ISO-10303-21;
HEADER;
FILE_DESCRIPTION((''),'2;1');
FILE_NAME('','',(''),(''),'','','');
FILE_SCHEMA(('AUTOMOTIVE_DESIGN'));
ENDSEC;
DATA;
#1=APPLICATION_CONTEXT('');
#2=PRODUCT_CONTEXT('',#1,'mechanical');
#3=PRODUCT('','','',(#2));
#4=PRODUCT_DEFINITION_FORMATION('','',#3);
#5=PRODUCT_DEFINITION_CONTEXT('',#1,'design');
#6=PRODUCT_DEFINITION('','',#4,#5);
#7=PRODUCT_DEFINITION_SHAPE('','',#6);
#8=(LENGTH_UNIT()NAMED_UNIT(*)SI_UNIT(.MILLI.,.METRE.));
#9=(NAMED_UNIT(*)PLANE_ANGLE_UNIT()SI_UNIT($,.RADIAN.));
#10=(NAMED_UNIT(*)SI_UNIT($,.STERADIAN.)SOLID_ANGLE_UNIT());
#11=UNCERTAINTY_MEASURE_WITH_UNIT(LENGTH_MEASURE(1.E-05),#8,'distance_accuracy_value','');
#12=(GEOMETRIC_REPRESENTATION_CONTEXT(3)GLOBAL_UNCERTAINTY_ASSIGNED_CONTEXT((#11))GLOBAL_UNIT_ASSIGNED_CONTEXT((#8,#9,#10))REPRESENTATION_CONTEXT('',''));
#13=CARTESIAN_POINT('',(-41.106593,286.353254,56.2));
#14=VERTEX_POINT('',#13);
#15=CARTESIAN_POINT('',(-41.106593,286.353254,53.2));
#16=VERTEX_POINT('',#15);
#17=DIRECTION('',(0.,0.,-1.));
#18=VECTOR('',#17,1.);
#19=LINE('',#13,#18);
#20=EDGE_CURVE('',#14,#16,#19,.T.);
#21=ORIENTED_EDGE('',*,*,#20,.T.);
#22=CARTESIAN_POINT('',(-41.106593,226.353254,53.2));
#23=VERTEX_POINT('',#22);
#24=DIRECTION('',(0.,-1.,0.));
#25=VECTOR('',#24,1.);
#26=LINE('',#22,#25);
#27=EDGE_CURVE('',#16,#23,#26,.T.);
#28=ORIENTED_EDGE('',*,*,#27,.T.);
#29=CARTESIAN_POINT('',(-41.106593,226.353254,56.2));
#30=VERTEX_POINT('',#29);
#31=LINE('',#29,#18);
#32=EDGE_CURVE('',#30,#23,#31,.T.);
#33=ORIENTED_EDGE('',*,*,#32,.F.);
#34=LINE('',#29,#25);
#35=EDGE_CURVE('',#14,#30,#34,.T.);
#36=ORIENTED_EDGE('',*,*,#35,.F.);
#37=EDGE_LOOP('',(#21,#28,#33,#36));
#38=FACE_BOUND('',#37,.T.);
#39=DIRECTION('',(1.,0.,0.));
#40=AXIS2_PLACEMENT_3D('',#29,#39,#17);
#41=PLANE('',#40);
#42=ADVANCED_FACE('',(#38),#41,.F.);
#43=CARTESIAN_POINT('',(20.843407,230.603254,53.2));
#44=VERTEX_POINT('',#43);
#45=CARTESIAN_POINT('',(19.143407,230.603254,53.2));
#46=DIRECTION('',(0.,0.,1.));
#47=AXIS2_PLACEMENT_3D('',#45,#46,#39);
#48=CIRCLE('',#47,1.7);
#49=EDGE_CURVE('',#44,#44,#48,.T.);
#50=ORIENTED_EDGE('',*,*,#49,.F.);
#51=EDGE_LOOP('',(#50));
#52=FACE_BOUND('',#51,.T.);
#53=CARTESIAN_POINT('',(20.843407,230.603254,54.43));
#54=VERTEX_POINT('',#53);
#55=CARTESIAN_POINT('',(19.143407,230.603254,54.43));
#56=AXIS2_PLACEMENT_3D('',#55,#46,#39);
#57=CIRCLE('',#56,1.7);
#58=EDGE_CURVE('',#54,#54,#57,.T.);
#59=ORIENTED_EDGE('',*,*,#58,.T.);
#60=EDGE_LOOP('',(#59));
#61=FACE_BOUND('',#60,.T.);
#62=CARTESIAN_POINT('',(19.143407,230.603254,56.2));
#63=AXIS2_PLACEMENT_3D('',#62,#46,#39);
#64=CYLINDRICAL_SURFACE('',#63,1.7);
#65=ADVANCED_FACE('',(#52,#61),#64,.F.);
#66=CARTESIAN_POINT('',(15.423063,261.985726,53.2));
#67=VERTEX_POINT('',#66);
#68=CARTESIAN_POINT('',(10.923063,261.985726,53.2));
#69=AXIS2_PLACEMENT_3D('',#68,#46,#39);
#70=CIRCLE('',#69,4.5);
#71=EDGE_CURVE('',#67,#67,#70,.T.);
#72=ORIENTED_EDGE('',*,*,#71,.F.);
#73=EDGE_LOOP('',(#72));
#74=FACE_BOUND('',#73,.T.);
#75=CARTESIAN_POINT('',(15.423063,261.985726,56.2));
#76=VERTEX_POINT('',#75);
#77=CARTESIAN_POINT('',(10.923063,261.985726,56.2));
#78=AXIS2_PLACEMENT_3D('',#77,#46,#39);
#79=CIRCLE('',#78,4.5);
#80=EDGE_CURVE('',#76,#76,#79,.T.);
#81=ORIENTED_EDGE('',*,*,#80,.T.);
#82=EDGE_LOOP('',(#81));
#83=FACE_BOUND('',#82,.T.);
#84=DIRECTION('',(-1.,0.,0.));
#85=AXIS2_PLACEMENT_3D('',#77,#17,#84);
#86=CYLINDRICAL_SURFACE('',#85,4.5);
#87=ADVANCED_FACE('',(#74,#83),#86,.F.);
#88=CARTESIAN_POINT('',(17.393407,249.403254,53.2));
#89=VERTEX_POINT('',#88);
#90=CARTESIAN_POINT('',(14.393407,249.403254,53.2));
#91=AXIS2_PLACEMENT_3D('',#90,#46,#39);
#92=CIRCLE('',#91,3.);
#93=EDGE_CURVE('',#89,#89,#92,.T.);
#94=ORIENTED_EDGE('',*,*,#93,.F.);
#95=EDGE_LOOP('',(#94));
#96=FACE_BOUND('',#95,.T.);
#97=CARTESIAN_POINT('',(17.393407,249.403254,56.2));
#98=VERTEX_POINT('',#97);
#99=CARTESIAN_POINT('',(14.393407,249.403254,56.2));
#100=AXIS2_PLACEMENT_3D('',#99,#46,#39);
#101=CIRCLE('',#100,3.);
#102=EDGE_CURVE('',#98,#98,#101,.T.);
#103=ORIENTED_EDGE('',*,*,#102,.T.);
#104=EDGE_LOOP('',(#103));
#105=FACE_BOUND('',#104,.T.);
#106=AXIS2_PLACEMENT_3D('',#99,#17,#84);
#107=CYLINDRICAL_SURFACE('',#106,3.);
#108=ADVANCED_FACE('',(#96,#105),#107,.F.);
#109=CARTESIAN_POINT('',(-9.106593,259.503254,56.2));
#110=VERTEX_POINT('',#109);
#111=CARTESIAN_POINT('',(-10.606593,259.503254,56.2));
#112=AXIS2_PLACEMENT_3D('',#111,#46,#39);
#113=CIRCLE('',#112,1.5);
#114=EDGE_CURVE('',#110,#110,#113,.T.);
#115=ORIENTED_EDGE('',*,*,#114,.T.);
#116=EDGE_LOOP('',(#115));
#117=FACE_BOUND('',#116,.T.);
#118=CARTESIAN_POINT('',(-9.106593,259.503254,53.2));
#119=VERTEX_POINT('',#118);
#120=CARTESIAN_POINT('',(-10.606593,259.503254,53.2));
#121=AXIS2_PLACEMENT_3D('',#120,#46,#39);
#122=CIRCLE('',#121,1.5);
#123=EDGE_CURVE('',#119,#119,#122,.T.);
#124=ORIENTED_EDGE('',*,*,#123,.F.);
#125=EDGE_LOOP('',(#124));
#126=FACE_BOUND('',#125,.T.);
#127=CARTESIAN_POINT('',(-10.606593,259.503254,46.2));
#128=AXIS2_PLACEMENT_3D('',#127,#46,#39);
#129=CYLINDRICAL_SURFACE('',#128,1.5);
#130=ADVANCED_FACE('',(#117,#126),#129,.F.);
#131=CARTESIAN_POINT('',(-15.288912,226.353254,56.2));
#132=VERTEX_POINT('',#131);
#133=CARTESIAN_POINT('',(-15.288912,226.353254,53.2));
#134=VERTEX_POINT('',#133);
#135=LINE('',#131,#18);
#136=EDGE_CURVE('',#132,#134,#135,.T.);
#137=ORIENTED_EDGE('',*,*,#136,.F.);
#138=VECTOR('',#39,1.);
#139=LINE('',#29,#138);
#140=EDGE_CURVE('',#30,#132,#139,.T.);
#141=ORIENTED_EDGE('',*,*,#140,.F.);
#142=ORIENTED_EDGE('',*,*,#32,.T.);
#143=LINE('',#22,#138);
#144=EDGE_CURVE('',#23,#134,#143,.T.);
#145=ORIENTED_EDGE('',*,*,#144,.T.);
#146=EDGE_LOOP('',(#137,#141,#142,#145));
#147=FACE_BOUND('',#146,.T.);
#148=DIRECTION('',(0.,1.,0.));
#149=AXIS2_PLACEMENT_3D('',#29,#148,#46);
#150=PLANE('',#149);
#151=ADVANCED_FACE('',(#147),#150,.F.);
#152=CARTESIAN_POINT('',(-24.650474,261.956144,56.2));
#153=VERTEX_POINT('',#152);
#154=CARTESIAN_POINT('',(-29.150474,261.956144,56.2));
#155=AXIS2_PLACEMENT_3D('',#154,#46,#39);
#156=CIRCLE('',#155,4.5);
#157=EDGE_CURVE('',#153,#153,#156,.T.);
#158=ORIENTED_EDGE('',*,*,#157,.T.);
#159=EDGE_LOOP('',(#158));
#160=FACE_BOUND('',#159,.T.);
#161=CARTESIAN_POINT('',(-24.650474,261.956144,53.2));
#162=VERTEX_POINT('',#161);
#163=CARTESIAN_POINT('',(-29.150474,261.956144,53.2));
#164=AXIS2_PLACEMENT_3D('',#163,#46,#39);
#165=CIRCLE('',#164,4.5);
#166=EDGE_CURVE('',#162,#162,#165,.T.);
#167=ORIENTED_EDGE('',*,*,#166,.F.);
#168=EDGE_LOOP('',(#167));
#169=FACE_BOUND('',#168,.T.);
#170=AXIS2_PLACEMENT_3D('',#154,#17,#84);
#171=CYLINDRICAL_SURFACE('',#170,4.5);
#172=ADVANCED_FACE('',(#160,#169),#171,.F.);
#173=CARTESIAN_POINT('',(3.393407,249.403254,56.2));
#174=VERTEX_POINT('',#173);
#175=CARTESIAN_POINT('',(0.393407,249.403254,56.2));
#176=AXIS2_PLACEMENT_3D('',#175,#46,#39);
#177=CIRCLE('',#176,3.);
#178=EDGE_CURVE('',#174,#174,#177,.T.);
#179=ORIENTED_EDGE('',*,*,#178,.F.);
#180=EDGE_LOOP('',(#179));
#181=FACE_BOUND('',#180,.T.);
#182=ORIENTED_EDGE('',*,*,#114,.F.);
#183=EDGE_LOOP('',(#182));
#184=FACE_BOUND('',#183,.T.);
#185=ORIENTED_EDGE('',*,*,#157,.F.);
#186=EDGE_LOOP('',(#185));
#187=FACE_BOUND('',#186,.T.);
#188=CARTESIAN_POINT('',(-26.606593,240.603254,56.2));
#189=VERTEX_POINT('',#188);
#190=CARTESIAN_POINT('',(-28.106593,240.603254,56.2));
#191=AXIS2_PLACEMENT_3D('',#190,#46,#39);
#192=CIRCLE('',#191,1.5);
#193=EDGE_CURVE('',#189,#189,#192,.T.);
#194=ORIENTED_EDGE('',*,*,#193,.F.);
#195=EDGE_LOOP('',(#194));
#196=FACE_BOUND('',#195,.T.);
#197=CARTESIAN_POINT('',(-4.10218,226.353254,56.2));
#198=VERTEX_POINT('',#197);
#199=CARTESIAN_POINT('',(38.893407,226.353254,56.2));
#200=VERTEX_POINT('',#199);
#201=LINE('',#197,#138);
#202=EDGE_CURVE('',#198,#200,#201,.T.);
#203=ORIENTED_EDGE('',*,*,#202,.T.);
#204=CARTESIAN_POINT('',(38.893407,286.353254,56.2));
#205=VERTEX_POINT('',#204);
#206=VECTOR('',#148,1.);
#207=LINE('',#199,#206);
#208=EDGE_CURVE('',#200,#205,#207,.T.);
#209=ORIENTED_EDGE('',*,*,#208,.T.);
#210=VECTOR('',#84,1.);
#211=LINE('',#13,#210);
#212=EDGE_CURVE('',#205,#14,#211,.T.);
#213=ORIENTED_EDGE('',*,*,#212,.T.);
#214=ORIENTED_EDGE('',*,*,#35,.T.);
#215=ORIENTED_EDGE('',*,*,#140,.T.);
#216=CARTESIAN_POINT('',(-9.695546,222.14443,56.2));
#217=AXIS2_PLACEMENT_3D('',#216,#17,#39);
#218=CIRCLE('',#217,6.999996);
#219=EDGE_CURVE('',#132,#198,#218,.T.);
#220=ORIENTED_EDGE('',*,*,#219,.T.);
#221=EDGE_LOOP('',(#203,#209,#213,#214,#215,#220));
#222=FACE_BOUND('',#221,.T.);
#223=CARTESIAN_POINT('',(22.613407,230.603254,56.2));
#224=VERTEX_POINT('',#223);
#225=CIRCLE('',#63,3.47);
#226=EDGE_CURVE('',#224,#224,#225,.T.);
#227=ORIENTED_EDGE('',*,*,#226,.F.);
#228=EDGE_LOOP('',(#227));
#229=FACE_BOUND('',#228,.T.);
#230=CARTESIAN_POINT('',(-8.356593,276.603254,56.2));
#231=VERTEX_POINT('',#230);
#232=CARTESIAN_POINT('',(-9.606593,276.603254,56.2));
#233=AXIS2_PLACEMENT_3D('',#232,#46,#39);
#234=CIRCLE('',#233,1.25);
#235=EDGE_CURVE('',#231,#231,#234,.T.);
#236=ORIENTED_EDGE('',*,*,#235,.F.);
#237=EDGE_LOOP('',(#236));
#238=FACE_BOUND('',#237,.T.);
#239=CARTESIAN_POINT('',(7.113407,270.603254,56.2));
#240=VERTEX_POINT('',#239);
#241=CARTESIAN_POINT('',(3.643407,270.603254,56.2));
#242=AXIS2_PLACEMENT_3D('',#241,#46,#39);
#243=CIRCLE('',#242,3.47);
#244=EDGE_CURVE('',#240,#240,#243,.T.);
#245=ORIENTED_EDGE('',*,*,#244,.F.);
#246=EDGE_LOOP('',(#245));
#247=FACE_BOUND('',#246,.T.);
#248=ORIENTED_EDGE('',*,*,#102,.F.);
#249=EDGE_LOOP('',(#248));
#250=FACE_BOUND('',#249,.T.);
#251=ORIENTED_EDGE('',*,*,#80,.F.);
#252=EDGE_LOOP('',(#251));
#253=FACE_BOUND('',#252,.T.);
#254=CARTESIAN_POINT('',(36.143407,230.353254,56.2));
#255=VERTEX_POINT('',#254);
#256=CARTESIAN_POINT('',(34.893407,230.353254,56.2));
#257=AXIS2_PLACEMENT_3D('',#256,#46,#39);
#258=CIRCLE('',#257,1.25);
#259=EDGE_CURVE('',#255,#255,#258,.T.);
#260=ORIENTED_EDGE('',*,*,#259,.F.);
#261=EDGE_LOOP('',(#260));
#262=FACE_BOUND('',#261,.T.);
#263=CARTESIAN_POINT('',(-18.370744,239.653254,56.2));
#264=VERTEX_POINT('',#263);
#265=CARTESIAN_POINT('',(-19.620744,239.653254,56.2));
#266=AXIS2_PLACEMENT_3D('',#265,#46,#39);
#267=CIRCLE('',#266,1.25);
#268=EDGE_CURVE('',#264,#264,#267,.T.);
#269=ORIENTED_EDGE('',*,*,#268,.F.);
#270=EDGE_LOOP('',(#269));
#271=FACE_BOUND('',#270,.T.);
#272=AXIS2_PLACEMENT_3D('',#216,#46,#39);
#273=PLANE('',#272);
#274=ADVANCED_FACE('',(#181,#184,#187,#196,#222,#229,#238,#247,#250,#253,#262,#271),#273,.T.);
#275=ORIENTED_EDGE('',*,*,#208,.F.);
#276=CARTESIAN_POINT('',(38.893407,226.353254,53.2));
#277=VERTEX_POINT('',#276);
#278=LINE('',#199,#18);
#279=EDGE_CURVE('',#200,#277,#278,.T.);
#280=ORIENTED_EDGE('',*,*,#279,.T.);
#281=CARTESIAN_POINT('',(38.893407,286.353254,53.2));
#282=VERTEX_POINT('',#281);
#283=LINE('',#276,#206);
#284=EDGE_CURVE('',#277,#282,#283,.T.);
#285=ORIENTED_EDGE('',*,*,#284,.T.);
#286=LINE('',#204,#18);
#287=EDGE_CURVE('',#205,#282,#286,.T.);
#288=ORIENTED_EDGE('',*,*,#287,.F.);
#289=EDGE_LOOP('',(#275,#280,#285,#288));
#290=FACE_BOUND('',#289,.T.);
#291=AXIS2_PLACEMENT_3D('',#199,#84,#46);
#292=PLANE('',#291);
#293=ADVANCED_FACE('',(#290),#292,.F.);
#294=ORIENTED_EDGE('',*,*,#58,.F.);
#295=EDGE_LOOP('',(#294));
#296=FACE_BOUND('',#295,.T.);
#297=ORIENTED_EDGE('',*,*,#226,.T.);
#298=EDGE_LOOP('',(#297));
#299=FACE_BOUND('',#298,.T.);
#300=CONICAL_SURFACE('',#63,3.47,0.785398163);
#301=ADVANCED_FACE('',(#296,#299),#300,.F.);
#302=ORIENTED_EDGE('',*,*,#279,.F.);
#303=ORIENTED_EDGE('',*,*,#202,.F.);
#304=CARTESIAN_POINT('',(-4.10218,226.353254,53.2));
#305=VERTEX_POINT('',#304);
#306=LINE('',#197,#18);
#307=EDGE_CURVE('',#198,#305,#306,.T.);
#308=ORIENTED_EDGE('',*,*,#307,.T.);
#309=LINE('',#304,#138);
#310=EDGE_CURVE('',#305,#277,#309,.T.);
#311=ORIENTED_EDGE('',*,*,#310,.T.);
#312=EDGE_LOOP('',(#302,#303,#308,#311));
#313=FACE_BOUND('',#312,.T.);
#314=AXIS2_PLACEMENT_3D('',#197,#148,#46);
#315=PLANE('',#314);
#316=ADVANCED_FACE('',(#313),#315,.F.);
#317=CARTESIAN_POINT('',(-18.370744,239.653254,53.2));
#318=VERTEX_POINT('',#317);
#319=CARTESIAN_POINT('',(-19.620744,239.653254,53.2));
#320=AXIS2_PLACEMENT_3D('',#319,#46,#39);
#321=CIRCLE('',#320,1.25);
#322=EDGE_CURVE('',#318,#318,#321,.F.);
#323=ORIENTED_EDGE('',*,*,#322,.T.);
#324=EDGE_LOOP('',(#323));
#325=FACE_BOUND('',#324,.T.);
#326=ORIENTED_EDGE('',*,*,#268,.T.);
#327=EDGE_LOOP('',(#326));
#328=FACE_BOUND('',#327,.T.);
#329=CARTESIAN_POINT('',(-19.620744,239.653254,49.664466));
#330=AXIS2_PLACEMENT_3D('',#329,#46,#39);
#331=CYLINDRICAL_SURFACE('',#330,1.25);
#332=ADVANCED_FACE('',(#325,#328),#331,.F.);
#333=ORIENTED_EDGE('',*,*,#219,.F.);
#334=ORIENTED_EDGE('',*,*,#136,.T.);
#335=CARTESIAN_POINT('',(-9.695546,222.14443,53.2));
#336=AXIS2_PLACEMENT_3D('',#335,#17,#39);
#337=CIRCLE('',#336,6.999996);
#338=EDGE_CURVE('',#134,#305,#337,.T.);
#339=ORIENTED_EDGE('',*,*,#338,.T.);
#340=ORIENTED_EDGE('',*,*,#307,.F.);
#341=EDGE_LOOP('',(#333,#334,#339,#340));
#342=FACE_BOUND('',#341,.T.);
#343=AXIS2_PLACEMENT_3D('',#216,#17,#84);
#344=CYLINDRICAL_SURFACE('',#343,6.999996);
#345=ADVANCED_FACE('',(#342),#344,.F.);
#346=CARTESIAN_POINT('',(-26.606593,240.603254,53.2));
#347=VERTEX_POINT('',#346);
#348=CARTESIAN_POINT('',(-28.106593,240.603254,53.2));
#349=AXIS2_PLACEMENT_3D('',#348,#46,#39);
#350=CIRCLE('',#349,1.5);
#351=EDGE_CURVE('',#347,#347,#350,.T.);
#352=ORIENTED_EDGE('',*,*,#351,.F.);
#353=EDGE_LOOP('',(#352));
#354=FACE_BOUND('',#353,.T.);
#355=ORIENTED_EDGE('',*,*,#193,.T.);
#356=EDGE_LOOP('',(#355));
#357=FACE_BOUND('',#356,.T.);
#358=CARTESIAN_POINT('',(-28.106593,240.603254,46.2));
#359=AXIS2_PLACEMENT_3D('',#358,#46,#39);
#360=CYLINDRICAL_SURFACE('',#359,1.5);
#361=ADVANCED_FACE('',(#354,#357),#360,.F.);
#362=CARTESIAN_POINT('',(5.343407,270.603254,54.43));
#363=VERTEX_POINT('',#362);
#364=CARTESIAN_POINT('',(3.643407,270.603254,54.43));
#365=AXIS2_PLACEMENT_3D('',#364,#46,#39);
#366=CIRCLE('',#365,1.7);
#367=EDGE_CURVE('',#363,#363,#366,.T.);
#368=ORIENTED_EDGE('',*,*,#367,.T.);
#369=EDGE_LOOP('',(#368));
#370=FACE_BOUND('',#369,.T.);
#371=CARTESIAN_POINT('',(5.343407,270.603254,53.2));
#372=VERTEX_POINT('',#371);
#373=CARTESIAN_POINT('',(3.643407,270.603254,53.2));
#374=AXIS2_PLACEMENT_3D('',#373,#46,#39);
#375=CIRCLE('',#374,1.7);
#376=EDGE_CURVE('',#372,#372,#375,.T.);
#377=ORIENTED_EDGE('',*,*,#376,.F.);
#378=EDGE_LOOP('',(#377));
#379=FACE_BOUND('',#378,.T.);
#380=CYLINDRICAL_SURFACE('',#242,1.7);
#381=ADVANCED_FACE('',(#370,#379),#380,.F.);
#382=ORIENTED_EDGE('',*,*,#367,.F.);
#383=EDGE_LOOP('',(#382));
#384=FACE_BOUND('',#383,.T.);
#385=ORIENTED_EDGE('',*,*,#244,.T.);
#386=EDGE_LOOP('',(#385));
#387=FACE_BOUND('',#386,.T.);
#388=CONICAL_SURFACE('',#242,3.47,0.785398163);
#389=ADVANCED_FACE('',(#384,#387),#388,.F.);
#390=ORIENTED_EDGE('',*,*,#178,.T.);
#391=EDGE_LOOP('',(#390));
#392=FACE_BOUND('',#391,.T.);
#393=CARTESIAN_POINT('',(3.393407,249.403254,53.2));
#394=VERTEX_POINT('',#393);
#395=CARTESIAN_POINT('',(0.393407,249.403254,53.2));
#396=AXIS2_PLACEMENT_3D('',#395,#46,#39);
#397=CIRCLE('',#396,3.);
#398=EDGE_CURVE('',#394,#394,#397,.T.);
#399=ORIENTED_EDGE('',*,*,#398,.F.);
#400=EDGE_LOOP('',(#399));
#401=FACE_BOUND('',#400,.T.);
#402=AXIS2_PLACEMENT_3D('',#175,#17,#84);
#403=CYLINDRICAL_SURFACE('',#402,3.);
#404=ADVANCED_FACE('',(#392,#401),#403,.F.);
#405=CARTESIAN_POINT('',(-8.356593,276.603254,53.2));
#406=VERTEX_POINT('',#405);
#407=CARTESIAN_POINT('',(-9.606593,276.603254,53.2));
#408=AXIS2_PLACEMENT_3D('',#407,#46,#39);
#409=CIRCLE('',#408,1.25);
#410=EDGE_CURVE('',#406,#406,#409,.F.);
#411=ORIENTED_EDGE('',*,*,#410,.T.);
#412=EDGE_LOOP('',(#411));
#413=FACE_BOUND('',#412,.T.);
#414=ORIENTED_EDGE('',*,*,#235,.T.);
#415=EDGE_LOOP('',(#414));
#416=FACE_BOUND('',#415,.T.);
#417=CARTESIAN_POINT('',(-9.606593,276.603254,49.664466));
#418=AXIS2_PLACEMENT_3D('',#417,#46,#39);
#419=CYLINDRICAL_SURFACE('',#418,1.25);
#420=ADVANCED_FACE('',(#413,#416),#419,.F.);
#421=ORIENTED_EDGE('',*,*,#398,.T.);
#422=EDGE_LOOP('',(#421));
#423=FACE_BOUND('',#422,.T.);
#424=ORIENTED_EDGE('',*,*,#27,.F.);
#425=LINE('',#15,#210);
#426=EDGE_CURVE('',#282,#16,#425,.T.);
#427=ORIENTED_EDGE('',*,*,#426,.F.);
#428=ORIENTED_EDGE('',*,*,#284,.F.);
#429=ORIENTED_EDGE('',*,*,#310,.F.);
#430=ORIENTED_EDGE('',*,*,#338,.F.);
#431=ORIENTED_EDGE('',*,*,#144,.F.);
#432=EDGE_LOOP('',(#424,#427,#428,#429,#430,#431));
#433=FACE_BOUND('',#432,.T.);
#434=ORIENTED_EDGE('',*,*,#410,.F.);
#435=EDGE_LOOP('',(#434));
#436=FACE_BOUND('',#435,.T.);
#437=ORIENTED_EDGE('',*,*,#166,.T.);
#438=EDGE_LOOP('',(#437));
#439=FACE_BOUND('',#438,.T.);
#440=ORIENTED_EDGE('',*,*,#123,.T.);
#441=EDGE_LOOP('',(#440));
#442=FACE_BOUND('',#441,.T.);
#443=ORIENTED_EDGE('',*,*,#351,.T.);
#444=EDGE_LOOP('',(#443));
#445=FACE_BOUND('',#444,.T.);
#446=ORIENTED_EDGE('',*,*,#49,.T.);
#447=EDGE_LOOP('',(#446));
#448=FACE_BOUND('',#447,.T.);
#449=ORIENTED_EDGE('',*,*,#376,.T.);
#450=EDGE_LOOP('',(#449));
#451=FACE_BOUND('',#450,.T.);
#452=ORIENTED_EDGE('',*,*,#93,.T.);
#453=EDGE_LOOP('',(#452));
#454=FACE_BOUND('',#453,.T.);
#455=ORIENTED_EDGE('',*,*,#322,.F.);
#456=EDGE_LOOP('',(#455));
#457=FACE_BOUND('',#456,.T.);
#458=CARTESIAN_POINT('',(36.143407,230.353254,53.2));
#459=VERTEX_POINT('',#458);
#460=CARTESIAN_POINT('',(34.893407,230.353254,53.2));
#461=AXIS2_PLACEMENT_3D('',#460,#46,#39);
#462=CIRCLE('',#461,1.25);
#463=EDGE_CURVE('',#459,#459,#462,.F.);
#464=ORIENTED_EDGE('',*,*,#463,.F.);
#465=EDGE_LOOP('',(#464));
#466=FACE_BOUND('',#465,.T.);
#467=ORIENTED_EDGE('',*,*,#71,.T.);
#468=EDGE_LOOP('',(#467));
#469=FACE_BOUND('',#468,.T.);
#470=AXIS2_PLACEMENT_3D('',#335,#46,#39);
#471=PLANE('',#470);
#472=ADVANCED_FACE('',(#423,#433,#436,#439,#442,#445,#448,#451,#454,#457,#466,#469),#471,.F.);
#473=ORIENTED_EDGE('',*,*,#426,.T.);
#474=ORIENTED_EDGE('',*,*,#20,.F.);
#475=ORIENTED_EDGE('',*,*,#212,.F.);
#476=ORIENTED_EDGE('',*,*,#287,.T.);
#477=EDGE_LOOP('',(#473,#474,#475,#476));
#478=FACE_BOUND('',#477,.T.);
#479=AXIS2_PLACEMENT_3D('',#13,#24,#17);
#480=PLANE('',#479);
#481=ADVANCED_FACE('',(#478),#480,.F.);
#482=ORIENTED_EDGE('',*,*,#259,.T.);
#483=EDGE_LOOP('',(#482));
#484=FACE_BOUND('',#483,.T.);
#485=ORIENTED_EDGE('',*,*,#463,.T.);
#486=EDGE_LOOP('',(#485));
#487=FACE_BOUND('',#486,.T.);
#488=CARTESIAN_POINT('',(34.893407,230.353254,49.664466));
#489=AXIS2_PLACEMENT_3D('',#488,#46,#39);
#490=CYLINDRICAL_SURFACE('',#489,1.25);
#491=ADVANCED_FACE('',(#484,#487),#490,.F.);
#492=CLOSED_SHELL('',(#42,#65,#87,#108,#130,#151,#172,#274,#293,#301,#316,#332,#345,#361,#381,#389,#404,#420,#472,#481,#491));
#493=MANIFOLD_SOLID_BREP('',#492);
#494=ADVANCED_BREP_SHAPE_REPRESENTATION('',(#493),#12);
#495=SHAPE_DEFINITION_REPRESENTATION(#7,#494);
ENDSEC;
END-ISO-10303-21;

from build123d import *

# Parameters (mm, degrees)
SKETCH_1_R                                   = 3
SKETCH_1_R_2                                 = 4.5
EXTRUDE_1_DEPTH                              = 3
CSK_FOR_M3_HEX_SOCKET_COUNTERSUNK_HE_2_COUNT = 2
CSK_FOR_M3_HEX_SOCKET_COUNTERSUNK_HE_2_PITCH = 42.898135158
SKETCH_2_R                                   = 1.5
SKETCH_2_R_2                                 = 1.25
CUT_EXTRUDE1_DEPTH                           = 10
SKETCH4_R                                    = 1.25
CUT_EXTRUDE2_DEPTH                           = 3


with BuildPart() as part:
    # Эскиз1 → Бобышка-Вытянуть1 (new body)
    with BuildSketch(Plane.XY.offset(53.2)):
        with BuildLine():
            Line((-4.102180416, 226.353254388), (38.893407272, 226.353254388))
            Line((38.893407272, 226.353254388), (38.893407272, 286.353254388))
            Line((38.893407272, 286.353254388), (-41.106592728, 286.353254388))
            Line((-41.106592728, 286.353254388), (-41.106592728, 226.353254388))
            Line((-41.106592728, 226.353254388), (-15.28891158, 226.353254388))
            ThreePointArc((-15.28891158, 226.353254388), (-9.695545998, 229.144425829), (-4.102180416, 226.353254388))
        make_face()
        with Locations((0.393407272, 249.403254388)):
            Circle(SKETCH_1_R, mode=Mode.SUBTRACT)
        with Locations((14.393407272, 249.403254388)):
            Circle(SKETCH_1_R, mode=Mode.SUBTRACT)
        with Locations((-29.150473778, 261.95614373)):
            Circle(SKETCH_1_R_2, mode=Mode.SUBTRACT)
        with Locations((10.923063266, 261.985726175)):
            Circle(SKETCH_1_R_2, mode=Mode.SUBTRACT)
    extrude(amount=EXTRUDE_1_DEPTH)

    # Sketch3 → CSK for M3 Hex Socket Countersunk Head Screw1 (revolve, cut)
    with BuildSketch(Plane(origin=(3.643407272, 270.603254388, 56.2), x_dir=(0, -1, 0), z_dir=(1, 0, 0))):
        Polygon((0, 0), (0, 3), (1.7, 3), (1.7, 1.77), (3.47, 0), align=None)
    csk_for_m3_hex_socket_countersunk_head_s = revolve(axis=Axis((3.643407272, 270.603254388, 62.55), (0, 0, -1)), mode=Mode.SUBTRACT)

    # CSK for M3 Hex Socket Countersunk He 2: CSK for M3 Hex Socket Countersunk Head Screw1 ×2
    with Locations(*[Vector(0.36132106775864725, -0.9324414651836066, 0) * (i * CSK_FOR_M3_HEX_SOCKET_COUNTERSUNK_HE_2_PITCH) for i in range(1, CSK_FOR_M3_HEX_SOCKET_COUNTERSUNK_HE_2_COUNT)]):
        add(csk_for_m3_hex_socket_countersunk_head_s, mode=Mode.SUBTRACT)

    # Эскиз2 → Cut-Extrude1 (cut)
    with BuildSketch(Plane.XY.offset(56.2)):
        with Locations((-28.106592728, 240.603254388)):
            Circle(SKETCH_2_R)
        with Locations((-10.606592728, 259.503254388)):
            Circle(SKETCH_2_R)
        with Locations((3.643407272, 270.603254388)):
            Circle(SKETCH_2_R_2)
        with Locations((19.143407272, 230.603254388)):
            Circle(SKETCH_2_R_2)
    extrude(amount=-CUT_EXTRUDE1_DEPTH, mode=Mode.SUBTRACT)

    # Sketch4 → Cut-Extrude2 (cut)
    with BuildSketch(Plane.XY.offset(56.2)):
        with Locations((-9.606592728, 276.603254388)):
            Circle(SKETCH4_R)
        with Locations((-19.620743586, 239.653254388)):
            Circle(SKETCH4_R)
        with Locations((34.893407272, 230.353254388)):
            Circle(SKETCH4_R)
    extrude(amount=-CUT_EXTRUDE2_DEPTH, mode=Mode.SUBTRACT)


solid = part.part
